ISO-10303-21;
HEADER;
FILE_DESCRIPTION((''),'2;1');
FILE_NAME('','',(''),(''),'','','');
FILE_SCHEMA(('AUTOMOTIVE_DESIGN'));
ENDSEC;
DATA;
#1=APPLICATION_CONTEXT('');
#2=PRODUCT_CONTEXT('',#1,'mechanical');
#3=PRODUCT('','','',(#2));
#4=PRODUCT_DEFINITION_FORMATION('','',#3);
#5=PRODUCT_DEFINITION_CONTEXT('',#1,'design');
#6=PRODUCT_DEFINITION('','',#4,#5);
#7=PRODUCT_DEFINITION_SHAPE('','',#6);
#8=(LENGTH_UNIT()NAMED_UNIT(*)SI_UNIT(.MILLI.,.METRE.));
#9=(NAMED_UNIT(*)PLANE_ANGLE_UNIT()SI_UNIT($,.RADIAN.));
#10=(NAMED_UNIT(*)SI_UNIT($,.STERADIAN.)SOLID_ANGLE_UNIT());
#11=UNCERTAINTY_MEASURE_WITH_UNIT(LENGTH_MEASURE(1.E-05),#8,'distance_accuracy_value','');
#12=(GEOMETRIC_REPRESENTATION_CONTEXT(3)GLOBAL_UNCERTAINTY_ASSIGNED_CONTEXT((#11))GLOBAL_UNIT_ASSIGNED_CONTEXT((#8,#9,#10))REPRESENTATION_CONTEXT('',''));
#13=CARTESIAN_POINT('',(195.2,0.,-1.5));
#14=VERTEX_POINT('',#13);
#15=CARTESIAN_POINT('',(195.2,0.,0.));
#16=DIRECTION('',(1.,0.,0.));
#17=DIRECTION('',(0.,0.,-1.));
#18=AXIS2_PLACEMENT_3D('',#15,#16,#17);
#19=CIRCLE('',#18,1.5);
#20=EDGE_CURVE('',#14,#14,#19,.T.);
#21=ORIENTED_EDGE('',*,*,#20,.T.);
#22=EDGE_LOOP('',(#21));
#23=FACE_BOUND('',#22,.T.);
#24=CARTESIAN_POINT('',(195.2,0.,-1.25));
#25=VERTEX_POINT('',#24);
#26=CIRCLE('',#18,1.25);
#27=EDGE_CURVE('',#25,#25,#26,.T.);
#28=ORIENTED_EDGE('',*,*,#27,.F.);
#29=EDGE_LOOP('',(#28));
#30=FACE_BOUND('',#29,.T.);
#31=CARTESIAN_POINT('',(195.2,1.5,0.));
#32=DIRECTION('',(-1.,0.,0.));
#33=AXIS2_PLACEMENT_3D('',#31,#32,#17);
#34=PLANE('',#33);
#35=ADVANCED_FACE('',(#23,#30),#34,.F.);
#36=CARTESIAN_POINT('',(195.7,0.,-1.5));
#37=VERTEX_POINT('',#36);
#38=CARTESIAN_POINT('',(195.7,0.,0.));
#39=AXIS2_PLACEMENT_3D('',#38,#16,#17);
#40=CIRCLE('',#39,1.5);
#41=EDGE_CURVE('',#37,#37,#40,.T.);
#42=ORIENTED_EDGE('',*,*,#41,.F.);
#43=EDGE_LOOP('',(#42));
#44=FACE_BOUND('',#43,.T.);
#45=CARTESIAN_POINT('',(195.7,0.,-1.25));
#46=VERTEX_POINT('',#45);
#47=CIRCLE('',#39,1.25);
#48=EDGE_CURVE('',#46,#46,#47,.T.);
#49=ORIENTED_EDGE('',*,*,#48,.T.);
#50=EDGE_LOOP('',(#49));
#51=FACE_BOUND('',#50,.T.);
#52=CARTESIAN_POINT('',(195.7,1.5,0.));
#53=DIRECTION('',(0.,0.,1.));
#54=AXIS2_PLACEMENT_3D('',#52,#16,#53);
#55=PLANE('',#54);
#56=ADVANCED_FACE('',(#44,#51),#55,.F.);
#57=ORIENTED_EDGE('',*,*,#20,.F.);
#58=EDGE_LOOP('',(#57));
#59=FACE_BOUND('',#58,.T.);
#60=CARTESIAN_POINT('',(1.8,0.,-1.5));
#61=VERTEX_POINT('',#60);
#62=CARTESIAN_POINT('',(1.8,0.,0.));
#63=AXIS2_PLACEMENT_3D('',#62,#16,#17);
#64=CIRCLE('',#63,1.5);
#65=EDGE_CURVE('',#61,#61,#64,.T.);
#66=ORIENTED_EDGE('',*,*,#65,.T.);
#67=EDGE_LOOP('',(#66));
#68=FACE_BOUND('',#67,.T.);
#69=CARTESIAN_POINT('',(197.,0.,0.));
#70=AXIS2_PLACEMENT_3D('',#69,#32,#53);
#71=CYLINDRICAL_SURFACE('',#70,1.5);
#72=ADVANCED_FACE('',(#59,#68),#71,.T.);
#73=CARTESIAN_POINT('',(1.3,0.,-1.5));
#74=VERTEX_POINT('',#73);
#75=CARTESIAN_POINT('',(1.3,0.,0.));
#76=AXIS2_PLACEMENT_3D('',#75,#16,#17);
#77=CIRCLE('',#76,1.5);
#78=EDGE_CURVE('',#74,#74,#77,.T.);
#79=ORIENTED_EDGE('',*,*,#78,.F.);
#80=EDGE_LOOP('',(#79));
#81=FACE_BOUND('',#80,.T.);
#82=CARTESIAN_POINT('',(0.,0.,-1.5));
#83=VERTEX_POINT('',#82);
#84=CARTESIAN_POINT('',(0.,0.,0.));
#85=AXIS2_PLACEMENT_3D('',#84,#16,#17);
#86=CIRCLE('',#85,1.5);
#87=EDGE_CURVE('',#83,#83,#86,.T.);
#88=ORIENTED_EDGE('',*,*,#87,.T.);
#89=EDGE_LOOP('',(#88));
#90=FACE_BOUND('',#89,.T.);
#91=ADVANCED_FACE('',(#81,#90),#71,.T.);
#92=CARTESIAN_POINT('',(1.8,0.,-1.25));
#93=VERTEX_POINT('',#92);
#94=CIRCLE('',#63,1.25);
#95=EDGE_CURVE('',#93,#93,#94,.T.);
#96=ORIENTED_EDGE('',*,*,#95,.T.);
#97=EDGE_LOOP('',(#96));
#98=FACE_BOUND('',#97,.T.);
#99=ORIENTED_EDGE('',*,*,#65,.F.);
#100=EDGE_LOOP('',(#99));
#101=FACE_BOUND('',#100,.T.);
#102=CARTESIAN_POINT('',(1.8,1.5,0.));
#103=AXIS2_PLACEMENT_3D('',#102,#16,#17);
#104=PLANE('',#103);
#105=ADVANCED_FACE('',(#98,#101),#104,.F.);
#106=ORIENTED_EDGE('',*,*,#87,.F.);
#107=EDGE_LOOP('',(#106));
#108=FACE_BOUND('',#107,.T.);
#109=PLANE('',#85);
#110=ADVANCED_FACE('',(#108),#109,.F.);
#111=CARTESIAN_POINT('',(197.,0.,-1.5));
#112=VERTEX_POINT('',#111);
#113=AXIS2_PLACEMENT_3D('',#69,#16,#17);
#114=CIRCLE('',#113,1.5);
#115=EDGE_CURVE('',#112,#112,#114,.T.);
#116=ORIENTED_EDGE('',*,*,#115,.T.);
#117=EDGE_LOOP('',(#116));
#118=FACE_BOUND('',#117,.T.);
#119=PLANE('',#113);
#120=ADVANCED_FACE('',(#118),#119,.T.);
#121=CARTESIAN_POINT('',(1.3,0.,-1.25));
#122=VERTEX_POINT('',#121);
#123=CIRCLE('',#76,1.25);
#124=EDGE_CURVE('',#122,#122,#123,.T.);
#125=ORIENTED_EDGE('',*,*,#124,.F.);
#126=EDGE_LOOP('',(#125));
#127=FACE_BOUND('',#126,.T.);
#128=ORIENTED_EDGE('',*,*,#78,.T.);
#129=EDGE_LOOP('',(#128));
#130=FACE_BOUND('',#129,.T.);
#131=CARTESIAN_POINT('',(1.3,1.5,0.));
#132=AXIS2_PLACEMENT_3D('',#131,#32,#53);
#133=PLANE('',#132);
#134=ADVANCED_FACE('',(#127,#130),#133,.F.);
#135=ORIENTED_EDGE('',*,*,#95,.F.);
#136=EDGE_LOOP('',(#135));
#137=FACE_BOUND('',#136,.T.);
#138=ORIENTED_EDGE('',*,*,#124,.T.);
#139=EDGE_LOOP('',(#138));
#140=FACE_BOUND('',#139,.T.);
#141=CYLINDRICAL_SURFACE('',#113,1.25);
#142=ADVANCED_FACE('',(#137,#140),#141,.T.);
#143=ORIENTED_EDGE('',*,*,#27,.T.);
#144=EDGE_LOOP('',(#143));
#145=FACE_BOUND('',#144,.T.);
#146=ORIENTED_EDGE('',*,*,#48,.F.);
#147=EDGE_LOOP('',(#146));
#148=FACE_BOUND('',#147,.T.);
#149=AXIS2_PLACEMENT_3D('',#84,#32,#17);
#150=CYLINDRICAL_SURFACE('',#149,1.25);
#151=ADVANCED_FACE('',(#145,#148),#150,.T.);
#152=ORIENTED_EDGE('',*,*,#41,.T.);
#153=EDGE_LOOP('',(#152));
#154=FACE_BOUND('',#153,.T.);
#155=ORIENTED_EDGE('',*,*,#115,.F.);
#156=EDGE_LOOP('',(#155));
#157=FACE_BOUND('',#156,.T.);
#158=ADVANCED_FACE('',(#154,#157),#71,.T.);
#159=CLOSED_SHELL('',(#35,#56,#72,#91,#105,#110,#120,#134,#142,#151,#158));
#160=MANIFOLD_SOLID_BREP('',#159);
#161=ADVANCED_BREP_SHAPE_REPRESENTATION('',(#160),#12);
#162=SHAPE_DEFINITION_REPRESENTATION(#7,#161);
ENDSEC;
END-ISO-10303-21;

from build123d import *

# Parameters (mm, degrees)
SKETCH1_R           = 1.5
BOSS_EXTRUDE1_DEPTH = 197
SKETCH2_W           = 0.5
SKETCH2_H           = 0.25


with BuildPart() as part:
    # Sketch1 → Boss-Extrude1 (new body)
    with BuildSketch(Plane(origin=(0, 0, 0), x_dir=(0, 0, -1), z_dir=(1, 0, 0))):
        Circle(SKETCH1_R)
    extrude(amount=BOSS_EXTRUDE1_DEPTH)

    # Sketch2 → Cut-Revolve1 (revolve, cut)
    with BuildSketch(Plane.XY, mode=Mode.PRIVATE) as cut_revolve1_sk:
        with Locations((1.55, 1.375)):
            Rectangle(SKETCH2_W, SKETCH2_H)
    cut_revolve1 = revolve(cut_revolve1_sk.sketch.rotate(Axis((197, 0, 0), (-1, 0, 0)), 90), axis=Axis((197, 0, 0), (-1, 0, 0)), mode=Mode.SUBTRACT)

    # Mirror1: Cut-Revolve1 across plane
    add(cut_revolve1.mirror(Plane.ZY.offset(-98.5)), mode=Mode.SUBTRACT)


solid = part.part
